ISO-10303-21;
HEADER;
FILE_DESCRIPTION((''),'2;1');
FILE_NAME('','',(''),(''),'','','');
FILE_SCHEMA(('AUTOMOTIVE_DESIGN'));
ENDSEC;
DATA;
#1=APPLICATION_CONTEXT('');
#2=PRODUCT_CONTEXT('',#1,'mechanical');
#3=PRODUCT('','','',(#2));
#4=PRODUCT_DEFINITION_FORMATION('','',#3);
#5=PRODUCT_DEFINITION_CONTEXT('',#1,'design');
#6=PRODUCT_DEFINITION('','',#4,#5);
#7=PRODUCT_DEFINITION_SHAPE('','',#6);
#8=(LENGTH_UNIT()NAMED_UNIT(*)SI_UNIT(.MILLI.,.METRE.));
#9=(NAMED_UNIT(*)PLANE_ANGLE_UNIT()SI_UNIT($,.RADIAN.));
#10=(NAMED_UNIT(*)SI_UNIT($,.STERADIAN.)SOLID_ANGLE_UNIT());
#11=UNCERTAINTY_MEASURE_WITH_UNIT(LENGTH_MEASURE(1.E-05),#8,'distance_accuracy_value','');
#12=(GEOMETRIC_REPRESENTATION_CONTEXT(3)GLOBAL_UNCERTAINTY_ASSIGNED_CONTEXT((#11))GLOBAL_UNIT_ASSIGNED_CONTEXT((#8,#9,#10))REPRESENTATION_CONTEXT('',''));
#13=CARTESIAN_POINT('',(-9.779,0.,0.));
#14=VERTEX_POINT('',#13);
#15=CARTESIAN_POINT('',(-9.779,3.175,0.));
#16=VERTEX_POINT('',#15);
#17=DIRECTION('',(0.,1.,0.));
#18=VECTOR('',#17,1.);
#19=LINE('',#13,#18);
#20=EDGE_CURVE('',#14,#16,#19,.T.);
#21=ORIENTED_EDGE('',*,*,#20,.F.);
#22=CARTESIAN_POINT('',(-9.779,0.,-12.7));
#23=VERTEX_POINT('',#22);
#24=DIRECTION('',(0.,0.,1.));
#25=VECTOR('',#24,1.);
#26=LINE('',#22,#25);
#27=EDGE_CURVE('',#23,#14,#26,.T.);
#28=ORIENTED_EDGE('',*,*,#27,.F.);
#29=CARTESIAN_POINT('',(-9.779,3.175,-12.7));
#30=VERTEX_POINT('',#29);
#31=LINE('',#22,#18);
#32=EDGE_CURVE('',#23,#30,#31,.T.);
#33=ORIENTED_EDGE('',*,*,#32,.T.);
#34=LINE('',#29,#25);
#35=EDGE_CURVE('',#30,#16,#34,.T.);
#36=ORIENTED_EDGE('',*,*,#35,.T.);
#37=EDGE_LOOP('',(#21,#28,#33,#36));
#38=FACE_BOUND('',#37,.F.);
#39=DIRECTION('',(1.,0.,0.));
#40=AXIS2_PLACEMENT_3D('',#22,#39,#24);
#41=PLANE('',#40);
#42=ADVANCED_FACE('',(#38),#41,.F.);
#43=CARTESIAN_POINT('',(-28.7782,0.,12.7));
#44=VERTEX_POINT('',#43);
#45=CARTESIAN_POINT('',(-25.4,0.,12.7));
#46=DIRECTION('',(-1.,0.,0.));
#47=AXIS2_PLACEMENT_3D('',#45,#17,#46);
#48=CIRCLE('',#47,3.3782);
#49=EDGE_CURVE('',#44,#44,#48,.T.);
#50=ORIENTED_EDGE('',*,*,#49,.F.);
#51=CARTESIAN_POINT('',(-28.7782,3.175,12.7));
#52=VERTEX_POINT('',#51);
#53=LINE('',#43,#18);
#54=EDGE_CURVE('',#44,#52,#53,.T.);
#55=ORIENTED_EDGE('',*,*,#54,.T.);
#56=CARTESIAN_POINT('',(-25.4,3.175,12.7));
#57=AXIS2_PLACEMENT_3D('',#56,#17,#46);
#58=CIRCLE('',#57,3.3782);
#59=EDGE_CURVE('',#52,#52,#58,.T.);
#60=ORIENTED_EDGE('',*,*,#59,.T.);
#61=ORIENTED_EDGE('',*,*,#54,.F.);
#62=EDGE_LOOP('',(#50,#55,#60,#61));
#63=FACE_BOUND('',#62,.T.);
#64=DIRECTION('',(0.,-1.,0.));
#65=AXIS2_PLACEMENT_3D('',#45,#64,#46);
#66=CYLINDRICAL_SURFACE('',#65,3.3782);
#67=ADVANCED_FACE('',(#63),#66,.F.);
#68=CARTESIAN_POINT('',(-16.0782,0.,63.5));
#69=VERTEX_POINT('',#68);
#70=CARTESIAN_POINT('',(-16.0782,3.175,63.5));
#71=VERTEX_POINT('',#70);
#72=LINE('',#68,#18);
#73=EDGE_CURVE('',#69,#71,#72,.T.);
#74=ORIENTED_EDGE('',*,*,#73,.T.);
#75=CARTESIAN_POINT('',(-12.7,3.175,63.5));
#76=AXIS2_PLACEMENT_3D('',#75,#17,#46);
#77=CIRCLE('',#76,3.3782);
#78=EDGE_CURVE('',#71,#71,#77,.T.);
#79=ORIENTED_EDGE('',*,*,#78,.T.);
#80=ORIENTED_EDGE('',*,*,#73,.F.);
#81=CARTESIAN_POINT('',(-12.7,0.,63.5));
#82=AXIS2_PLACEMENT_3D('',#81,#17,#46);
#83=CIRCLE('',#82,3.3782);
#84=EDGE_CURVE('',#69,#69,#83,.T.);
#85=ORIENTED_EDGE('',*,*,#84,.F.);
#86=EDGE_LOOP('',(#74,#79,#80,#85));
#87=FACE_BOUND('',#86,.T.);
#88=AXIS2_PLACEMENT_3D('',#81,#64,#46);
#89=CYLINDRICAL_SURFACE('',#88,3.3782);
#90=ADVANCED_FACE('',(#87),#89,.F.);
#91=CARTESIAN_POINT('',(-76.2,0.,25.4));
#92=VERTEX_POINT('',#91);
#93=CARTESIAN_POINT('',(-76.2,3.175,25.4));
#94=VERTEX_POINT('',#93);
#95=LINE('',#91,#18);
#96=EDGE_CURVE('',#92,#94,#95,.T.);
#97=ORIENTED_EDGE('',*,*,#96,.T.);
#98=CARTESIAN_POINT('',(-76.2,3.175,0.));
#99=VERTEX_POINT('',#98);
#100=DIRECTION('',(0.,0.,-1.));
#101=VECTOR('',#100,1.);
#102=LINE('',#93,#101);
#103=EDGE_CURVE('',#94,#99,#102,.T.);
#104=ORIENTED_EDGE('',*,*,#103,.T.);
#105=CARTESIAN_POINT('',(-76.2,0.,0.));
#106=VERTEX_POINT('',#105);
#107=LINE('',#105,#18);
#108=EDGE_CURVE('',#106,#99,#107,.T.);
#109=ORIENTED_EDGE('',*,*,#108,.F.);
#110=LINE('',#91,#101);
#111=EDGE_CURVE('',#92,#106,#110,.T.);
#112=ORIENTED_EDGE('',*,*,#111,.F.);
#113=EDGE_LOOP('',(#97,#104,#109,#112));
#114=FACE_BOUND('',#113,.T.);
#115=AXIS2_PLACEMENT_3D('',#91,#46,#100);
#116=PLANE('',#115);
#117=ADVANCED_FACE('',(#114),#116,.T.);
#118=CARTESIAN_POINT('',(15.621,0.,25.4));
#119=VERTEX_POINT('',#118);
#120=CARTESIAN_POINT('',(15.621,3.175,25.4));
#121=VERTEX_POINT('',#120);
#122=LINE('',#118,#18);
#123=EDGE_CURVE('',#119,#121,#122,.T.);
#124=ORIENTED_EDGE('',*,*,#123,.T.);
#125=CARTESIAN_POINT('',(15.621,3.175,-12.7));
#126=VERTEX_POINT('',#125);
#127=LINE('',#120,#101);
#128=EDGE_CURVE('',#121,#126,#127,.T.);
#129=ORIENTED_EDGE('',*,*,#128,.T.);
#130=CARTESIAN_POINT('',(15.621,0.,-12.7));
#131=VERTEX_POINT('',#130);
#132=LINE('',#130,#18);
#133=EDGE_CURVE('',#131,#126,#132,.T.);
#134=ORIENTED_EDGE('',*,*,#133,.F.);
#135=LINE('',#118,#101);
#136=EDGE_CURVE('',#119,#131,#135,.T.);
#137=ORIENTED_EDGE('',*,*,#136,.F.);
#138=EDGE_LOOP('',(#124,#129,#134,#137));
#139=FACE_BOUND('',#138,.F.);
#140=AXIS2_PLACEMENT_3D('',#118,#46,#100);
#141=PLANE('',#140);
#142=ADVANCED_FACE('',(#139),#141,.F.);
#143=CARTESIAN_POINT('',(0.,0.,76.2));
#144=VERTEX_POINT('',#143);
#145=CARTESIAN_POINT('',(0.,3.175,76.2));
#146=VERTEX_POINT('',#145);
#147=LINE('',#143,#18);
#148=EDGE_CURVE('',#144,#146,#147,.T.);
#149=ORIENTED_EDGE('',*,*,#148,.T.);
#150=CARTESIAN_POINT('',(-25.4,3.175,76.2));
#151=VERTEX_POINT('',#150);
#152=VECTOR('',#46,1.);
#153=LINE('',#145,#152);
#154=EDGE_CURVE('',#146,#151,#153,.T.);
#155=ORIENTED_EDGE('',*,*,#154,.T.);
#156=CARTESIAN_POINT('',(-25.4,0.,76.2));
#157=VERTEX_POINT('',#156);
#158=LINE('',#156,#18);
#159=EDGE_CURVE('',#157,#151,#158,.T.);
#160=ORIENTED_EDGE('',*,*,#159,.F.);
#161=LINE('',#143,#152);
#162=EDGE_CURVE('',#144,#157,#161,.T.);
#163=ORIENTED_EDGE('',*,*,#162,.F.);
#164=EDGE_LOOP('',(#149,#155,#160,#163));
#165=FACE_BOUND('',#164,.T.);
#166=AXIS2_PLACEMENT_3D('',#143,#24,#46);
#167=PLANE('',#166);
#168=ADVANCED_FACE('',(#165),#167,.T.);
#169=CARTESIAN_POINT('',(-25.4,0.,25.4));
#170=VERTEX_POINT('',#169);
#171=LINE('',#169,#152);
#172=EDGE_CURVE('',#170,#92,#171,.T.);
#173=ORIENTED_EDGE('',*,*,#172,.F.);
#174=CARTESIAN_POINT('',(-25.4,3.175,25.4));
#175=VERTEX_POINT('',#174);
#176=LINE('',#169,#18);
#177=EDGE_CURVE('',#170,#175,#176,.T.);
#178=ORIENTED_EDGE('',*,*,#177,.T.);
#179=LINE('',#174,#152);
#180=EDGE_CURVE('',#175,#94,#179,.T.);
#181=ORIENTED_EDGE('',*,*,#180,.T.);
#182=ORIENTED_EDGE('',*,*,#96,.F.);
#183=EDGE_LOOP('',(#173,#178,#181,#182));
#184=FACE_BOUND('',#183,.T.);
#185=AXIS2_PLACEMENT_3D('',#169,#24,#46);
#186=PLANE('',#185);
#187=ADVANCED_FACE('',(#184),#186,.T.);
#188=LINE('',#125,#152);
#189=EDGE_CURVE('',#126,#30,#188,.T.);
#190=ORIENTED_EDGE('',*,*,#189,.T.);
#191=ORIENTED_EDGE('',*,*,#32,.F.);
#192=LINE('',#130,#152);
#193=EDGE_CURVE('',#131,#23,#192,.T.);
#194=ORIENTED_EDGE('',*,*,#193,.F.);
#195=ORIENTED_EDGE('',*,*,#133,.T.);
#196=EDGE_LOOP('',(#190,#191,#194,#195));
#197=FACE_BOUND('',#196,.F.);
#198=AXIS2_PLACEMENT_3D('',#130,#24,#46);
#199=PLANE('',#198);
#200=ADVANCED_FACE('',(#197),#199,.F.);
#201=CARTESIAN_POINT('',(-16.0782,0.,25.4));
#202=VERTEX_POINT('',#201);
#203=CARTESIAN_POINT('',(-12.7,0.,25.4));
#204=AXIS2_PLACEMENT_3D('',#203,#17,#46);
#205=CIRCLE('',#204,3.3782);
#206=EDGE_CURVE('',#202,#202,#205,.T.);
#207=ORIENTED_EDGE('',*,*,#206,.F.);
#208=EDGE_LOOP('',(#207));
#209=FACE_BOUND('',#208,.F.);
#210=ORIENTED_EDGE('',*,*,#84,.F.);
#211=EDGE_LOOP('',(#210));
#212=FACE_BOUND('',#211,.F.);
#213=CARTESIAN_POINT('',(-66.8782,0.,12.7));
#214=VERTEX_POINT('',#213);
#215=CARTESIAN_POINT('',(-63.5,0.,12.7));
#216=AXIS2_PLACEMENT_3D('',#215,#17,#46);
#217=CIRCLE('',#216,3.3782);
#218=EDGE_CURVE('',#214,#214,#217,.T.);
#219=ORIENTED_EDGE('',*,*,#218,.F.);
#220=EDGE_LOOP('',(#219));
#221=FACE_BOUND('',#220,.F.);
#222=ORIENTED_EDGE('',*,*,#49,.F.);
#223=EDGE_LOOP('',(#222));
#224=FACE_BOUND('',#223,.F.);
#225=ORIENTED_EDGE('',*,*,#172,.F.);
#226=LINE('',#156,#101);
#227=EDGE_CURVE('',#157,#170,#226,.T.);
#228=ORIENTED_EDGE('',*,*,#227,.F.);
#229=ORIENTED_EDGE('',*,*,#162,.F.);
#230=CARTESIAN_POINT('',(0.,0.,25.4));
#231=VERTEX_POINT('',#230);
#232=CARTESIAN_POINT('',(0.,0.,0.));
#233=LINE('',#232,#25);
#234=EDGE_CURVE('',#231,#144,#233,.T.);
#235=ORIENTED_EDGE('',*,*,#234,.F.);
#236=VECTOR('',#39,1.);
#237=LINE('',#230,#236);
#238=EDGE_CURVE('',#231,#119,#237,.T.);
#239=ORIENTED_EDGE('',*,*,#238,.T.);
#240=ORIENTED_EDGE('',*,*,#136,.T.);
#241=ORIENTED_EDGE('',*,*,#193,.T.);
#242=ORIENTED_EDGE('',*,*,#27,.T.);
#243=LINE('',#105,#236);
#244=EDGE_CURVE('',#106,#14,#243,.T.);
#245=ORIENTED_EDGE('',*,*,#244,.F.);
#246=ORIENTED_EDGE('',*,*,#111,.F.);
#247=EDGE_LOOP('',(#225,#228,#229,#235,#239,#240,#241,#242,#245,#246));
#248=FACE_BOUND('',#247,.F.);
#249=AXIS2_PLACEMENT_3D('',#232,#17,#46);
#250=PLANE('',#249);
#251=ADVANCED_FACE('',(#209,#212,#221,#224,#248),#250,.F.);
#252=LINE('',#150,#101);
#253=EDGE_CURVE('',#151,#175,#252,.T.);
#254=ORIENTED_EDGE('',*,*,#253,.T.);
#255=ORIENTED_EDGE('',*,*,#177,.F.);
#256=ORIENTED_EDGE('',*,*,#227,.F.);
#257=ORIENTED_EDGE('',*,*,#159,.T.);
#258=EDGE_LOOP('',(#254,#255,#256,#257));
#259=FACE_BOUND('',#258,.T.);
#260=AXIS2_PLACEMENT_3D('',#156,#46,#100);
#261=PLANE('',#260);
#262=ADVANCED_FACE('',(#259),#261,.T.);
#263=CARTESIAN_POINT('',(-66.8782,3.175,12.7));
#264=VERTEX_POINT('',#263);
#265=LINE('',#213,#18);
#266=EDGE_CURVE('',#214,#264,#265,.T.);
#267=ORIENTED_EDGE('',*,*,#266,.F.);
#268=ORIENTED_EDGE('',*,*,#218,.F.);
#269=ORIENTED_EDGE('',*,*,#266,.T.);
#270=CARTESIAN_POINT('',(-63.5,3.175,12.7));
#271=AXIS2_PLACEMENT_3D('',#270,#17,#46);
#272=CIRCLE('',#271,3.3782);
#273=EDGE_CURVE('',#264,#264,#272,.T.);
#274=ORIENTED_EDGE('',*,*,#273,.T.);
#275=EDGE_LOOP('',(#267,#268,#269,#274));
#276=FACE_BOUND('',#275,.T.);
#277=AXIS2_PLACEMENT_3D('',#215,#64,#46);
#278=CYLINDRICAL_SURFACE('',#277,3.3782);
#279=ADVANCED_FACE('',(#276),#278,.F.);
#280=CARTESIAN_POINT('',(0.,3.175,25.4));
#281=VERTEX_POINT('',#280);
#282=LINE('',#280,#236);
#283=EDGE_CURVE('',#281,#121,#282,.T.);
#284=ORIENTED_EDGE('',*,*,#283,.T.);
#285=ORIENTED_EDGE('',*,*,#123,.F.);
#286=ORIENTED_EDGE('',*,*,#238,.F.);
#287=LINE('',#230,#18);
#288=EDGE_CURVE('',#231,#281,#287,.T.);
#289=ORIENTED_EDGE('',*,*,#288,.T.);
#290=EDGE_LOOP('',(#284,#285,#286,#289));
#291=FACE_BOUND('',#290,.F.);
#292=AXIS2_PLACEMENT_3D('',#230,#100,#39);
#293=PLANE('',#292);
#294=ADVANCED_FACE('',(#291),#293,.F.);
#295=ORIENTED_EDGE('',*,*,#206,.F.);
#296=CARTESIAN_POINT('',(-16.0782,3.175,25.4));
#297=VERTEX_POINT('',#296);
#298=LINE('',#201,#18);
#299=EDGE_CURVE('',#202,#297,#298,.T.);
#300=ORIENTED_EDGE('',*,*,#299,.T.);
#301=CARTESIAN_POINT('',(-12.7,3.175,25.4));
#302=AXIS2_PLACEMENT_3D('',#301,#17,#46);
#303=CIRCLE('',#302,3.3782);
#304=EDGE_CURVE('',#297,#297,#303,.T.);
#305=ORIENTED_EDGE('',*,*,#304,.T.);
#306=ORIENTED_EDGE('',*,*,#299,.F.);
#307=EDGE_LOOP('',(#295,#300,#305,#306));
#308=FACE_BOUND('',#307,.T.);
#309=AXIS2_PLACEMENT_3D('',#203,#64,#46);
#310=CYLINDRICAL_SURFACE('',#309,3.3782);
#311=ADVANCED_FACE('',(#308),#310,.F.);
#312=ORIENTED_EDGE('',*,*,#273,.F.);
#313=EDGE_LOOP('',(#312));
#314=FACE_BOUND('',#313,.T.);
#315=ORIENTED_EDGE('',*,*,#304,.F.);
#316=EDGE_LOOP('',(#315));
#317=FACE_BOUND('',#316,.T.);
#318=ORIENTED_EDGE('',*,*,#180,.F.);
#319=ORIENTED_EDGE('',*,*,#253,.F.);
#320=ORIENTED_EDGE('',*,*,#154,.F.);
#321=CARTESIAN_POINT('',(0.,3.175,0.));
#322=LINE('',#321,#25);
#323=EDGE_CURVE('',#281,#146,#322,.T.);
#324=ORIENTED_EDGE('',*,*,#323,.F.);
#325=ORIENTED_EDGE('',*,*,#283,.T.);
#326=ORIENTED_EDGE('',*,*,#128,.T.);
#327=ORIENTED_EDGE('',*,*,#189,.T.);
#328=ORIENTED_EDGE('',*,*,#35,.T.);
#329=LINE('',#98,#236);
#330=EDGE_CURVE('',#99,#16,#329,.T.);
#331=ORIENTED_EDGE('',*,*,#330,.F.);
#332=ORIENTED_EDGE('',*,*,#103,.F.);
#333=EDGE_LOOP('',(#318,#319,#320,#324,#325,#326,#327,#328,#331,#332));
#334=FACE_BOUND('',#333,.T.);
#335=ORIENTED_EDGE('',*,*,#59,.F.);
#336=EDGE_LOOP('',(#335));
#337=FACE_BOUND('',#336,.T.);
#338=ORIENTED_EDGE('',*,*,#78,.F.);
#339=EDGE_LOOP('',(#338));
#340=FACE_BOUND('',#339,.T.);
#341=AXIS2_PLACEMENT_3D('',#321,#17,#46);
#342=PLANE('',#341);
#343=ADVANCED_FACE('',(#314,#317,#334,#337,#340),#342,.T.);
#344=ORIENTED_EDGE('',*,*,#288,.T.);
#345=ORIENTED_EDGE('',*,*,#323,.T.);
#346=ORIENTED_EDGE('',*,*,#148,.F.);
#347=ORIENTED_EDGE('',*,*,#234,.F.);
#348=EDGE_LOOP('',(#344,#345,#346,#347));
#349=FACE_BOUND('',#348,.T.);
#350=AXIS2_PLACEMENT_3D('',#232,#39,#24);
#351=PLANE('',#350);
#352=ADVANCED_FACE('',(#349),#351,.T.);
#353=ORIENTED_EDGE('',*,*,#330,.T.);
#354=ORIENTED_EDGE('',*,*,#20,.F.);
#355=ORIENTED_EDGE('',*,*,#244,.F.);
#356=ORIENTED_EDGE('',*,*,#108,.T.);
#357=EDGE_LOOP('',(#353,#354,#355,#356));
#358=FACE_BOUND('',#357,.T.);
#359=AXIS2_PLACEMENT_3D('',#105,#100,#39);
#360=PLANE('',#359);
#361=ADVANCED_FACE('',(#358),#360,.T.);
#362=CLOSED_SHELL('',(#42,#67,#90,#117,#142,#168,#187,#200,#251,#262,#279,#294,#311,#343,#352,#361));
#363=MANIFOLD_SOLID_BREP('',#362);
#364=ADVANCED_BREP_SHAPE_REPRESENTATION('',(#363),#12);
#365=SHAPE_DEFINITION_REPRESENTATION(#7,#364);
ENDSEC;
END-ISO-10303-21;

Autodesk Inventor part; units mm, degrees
ref_plane "YZ Plane" through (0, 0, 0) normal (1, 0, 0) x (0, 1, 0)
ref_plane "XZ Plane" through (0, 0, 0) normal (0, 1, 0) x (-1, 0, 0)
ref_plane "XY Plane" through (0, 0, 0) normal (0, 0, 1) x (1, 0, 0)
sketch "Sketch1" plane through (0, 0, 0) normal (0, 1, 0) x (-1, 0, 0)
  line L0 (0, 0) -> (0, 76.2)
  line L1 (0, 76.2) -> (25.4, 76.2)
  line L2 (25.4, 76.2) -> (25.4, 25.4)
  line L3 (25.4, 25.4) -> (76.2, 25.4)
  line L4 (76.2, 25.4) -> (76.2, 0)
  line L5 (76.2, 0) -> (0, 0)
  line L6 (25.4, 25.4) -> (0, 0) construction
  circle A0 centre (12.7, 63.5) radius 3.3782
  circle A1 centre (12.7, 25.4) radius 3.3782
  circle A2 centre (25.4, 12.7) radius 3.3782
  circle A3 centre (63.5, 12.7) radius 3.3782
  dimension "d0" = 76.2
  dimension "d1" = 25.4
  dimension "d2" = 50.8
  dimension "d3" = 50.8
  dimension "d4" = 25.4
  dimension "d5" = 6.7564
  dimension "d6" = 6.7564
  dimension "d7" = 6.7564
  dimension "d8" = 6.7564
  dimension "d9" = 12.7
  dimension "d10" = 0
  dimension "d11" = 12.7
  dimension "d12" = 12.7
  dimension "d13" = 12.7
  dimension "d14" = 12.7
  dimension "d15" = 12.7
extrude "Extrusion1" add sketch "Sketch1" along normal blind 3.175
sketch "Sketch2" plane through (0, 0, 0) normal (0, -1, 0) x (1, 0, 0)
  line L0 (0, 76.2) -> (0, 0) projected
  line L1 (0, 0) -> (-76.2, 0) projected
  line L2 (0, 25.4) -> (15.621, 25.4)
  line L3 (15.621, 25.4) -> (15.621, -12.7)
  line L4 (15.621, -12.7) -> (-9.779, -12.7)
  line L5 (-9.779, -12.7) -> (-9.779, 0)
  dimension "d19" = 15.621
  dimension "d20" = 38.1
  dimension "d21" = 25.4
extrude "Extrusion2" add sketch "Sketch2" against normal blind 3.175
sketch "Sketch3" plane through (0, 0, 0) normal (0, -1, 0) x (1, 0, 0)
  circle A0 centre (-63.5, 12.7) radius 3.3782 projected
  circle A1 centre (-25.4, 12.7) radius 3.3782 projected
  circle A2 centre (-12.7, 25.4) radius 3.3782 projected
  circle A3 centre (-12.7, 63.5) radius 3.3782 projected
  line L0 (0, 76.2) -> (0, 25.4) projected
  line L1 (-25.4, 76.2) -> (0, 76.2) projected
  line L2 (-25.4, 25.4) -> (-25.4, 76.2) projected
  line L3 (-76.2, 25.4) -> (-25.4, 25.4) projected
  line L4 (-76.2, 0) -> (-76.2, 25.4) projected
  line L5 (-9.779, 0) -> (-76.2, 0) projected
  line L6 (-9.779, 0) -> (-9.779, -12.7) projected
  line L7 (-9.779, -12.7) -> (15.621, -12.7) projected
  line L8 (15.621, -12.7) -> (15.621, 25.4) projected
  line L9 (15.621, 25.4) -> (0, 25.4) projected
  point P0 (0, 0)
properties part number "Gusset Connector"
